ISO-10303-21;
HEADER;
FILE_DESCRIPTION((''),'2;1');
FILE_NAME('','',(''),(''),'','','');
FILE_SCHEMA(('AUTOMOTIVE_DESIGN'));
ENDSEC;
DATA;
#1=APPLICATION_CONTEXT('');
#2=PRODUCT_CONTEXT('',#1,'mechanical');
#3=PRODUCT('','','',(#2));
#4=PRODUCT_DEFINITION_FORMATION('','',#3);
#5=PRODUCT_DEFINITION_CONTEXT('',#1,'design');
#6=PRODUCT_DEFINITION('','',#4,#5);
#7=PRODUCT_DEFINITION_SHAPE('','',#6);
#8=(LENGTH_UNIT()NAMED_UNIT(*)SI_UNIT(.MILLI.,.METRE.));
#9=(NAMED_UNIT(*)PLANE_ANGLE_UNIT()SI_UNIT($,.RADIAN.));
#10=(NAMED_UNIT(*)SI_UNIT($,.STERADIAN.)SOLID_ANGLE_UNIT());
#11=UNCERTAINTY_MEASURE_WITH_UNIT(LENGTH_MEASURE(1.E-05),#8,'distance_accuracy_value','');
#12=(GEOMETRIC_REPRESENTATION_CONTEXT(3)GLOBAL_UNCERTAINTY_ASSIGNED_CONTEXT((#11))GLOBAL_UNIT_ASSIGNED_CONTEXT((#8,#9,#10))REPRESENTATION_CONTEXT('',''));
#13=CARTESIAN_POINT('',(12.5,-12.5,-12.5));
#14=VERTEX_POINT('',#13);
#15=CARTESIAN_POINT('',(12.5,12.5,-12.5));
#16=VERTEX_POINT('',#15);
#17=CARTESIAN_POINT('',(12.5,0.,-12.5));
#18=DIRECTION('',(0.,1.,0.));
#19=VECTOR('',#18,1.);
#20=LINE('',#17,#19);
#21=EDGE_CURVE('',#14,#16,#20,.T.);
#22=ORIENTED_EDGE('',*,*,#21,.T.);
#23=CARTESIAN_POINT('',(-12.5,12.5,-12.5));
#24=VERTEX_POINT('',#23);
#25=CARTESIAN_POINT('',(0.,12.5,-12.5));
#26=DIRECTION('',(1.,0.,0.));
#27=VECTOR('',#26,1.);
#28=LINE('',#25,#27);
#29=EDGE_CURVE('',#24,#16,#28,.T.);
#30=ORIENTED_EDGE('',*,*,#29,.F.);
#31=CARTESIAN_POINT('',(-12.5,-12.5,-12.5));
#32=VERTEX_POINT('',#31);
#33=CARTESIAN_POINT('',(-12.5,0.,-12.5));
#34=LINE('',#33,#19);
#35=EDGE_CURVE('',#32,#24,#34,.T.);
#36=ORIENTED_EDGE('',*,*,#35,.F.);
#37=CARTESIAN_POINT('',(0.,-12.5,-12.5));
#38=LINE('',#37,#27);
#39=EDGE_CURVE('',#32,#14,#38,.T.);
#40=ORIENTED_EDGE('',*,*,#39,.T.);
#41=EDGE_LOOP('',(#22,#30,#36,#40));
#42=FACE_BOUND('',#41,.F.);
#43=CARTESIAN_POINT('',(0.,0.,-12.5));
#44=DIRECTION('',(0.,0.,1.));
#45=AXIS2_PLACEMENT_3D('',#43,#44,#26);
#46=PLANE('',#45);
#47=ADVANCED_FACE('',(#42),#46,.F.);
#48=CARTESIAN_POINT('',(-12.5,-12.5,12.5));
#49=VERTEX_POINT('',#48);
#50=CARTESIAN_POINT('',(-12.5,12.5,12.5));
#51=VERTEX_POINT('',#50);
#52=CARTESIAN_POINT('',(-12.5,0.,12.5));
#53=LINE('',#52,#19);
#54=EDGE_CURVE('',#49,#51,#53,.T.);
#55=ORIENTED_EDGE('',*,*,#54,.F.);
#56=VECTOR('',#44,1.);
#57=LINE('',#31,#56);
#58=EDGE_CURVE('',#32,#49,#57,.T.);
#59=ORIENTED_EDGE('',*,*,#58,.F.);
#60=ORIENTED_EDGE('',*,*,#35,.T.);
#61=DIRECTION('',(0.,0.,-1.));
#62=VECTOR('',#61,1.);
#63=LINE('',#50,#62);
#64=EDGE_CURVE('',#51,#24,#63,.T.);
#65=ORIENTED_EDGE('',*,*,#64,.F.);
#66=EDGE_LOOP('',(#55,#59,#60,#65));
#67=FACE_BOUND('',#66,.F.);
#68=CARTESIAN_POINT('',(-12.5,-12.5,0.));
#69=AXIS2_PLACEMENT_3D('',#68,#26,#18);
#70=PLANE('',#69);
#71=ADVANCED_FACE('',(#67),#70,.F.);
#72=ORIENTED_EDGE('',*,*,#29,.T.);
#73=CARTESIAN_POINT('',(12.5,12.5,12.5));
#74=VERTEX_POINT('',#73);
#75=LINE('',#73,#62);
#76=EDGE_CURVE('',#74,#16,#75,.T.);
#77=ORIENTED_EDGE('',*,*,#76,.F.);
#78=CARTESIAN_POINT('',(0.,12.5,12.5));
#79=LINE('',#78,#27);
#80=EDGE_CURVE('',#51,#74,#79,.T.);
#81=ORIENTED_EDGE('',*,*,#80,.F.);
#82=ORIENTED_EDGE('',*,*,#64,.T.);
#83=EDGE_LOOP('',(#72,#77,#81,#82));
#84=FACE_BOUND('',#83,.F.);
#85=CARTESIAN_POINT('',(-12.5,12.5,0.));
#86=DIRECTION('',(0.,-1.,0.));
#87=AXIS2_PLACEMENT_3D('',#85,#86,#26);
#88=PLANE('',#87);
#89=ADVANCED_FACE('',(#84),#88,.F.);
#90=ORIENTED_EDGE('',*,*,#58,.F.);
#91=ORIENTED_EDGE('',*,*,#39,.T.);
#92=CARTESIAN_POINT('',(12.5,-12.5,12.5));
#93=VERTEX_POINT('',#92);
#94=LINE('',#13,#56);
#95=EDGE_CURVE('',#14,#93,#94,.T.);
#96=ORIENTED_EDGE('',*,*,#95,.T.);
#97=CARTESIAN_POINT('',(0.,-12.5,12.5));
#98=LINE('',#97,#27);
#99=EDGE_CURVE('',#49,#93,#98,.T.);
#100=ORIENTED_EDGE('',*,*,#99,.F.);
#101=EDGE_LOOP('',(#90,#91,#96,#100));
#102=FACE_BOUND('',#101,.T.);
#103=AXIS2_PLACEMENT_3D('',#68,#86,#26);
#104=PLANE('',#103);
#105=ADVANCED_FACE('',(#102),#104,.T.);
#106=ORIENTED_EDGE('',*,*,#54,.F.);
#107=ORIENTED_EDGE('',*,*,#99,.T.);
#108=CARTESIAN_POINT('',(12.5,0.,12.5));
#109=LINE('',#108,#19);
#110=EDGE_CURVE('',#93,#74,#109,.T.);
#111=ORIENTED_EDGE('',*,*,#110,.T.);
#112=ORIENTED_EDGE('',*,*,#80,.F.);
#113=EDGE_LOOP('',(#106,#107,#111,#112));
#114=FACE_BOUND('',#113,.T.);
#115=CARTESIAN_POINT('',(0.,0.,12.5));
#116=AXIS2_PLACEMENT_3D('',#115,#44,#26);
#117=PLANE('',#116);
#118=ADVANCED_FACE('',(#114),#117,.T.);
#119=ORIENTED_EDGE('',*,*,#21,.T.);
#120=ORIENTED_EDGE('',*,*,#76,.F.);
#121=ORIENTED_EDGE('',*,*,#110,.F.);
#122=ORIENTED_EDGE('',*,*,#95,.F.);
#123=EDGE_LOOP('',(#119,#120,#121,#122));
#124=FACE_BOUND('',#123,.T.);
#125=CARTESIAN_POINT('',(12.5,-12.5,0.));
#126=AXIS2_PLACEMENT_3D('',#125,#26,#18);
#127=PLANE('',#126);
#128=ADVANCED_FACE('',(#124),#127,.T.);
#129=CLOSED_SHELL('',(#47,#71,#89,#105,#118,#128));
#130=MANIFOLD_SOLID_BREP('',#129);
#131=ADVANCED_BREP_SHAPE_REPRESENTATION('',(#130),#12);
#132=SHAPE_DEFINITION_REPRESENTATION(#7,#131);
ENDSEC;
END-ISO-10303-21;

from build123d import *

# Parameters (mm, degrees)
SKETCH_W  = 25
SKETCH_H  = 25
PAD_DEPTH = 12.5


with BuildPart() as part:
    # Sketch → Pad (new body, symmetric)
    with BuildSketch(Plane.XY):
        Rectangle(SKETCH_W, SKETCH_H)
    extrude(amount=PAD_DEPTH, both=True)


solid = part.part
